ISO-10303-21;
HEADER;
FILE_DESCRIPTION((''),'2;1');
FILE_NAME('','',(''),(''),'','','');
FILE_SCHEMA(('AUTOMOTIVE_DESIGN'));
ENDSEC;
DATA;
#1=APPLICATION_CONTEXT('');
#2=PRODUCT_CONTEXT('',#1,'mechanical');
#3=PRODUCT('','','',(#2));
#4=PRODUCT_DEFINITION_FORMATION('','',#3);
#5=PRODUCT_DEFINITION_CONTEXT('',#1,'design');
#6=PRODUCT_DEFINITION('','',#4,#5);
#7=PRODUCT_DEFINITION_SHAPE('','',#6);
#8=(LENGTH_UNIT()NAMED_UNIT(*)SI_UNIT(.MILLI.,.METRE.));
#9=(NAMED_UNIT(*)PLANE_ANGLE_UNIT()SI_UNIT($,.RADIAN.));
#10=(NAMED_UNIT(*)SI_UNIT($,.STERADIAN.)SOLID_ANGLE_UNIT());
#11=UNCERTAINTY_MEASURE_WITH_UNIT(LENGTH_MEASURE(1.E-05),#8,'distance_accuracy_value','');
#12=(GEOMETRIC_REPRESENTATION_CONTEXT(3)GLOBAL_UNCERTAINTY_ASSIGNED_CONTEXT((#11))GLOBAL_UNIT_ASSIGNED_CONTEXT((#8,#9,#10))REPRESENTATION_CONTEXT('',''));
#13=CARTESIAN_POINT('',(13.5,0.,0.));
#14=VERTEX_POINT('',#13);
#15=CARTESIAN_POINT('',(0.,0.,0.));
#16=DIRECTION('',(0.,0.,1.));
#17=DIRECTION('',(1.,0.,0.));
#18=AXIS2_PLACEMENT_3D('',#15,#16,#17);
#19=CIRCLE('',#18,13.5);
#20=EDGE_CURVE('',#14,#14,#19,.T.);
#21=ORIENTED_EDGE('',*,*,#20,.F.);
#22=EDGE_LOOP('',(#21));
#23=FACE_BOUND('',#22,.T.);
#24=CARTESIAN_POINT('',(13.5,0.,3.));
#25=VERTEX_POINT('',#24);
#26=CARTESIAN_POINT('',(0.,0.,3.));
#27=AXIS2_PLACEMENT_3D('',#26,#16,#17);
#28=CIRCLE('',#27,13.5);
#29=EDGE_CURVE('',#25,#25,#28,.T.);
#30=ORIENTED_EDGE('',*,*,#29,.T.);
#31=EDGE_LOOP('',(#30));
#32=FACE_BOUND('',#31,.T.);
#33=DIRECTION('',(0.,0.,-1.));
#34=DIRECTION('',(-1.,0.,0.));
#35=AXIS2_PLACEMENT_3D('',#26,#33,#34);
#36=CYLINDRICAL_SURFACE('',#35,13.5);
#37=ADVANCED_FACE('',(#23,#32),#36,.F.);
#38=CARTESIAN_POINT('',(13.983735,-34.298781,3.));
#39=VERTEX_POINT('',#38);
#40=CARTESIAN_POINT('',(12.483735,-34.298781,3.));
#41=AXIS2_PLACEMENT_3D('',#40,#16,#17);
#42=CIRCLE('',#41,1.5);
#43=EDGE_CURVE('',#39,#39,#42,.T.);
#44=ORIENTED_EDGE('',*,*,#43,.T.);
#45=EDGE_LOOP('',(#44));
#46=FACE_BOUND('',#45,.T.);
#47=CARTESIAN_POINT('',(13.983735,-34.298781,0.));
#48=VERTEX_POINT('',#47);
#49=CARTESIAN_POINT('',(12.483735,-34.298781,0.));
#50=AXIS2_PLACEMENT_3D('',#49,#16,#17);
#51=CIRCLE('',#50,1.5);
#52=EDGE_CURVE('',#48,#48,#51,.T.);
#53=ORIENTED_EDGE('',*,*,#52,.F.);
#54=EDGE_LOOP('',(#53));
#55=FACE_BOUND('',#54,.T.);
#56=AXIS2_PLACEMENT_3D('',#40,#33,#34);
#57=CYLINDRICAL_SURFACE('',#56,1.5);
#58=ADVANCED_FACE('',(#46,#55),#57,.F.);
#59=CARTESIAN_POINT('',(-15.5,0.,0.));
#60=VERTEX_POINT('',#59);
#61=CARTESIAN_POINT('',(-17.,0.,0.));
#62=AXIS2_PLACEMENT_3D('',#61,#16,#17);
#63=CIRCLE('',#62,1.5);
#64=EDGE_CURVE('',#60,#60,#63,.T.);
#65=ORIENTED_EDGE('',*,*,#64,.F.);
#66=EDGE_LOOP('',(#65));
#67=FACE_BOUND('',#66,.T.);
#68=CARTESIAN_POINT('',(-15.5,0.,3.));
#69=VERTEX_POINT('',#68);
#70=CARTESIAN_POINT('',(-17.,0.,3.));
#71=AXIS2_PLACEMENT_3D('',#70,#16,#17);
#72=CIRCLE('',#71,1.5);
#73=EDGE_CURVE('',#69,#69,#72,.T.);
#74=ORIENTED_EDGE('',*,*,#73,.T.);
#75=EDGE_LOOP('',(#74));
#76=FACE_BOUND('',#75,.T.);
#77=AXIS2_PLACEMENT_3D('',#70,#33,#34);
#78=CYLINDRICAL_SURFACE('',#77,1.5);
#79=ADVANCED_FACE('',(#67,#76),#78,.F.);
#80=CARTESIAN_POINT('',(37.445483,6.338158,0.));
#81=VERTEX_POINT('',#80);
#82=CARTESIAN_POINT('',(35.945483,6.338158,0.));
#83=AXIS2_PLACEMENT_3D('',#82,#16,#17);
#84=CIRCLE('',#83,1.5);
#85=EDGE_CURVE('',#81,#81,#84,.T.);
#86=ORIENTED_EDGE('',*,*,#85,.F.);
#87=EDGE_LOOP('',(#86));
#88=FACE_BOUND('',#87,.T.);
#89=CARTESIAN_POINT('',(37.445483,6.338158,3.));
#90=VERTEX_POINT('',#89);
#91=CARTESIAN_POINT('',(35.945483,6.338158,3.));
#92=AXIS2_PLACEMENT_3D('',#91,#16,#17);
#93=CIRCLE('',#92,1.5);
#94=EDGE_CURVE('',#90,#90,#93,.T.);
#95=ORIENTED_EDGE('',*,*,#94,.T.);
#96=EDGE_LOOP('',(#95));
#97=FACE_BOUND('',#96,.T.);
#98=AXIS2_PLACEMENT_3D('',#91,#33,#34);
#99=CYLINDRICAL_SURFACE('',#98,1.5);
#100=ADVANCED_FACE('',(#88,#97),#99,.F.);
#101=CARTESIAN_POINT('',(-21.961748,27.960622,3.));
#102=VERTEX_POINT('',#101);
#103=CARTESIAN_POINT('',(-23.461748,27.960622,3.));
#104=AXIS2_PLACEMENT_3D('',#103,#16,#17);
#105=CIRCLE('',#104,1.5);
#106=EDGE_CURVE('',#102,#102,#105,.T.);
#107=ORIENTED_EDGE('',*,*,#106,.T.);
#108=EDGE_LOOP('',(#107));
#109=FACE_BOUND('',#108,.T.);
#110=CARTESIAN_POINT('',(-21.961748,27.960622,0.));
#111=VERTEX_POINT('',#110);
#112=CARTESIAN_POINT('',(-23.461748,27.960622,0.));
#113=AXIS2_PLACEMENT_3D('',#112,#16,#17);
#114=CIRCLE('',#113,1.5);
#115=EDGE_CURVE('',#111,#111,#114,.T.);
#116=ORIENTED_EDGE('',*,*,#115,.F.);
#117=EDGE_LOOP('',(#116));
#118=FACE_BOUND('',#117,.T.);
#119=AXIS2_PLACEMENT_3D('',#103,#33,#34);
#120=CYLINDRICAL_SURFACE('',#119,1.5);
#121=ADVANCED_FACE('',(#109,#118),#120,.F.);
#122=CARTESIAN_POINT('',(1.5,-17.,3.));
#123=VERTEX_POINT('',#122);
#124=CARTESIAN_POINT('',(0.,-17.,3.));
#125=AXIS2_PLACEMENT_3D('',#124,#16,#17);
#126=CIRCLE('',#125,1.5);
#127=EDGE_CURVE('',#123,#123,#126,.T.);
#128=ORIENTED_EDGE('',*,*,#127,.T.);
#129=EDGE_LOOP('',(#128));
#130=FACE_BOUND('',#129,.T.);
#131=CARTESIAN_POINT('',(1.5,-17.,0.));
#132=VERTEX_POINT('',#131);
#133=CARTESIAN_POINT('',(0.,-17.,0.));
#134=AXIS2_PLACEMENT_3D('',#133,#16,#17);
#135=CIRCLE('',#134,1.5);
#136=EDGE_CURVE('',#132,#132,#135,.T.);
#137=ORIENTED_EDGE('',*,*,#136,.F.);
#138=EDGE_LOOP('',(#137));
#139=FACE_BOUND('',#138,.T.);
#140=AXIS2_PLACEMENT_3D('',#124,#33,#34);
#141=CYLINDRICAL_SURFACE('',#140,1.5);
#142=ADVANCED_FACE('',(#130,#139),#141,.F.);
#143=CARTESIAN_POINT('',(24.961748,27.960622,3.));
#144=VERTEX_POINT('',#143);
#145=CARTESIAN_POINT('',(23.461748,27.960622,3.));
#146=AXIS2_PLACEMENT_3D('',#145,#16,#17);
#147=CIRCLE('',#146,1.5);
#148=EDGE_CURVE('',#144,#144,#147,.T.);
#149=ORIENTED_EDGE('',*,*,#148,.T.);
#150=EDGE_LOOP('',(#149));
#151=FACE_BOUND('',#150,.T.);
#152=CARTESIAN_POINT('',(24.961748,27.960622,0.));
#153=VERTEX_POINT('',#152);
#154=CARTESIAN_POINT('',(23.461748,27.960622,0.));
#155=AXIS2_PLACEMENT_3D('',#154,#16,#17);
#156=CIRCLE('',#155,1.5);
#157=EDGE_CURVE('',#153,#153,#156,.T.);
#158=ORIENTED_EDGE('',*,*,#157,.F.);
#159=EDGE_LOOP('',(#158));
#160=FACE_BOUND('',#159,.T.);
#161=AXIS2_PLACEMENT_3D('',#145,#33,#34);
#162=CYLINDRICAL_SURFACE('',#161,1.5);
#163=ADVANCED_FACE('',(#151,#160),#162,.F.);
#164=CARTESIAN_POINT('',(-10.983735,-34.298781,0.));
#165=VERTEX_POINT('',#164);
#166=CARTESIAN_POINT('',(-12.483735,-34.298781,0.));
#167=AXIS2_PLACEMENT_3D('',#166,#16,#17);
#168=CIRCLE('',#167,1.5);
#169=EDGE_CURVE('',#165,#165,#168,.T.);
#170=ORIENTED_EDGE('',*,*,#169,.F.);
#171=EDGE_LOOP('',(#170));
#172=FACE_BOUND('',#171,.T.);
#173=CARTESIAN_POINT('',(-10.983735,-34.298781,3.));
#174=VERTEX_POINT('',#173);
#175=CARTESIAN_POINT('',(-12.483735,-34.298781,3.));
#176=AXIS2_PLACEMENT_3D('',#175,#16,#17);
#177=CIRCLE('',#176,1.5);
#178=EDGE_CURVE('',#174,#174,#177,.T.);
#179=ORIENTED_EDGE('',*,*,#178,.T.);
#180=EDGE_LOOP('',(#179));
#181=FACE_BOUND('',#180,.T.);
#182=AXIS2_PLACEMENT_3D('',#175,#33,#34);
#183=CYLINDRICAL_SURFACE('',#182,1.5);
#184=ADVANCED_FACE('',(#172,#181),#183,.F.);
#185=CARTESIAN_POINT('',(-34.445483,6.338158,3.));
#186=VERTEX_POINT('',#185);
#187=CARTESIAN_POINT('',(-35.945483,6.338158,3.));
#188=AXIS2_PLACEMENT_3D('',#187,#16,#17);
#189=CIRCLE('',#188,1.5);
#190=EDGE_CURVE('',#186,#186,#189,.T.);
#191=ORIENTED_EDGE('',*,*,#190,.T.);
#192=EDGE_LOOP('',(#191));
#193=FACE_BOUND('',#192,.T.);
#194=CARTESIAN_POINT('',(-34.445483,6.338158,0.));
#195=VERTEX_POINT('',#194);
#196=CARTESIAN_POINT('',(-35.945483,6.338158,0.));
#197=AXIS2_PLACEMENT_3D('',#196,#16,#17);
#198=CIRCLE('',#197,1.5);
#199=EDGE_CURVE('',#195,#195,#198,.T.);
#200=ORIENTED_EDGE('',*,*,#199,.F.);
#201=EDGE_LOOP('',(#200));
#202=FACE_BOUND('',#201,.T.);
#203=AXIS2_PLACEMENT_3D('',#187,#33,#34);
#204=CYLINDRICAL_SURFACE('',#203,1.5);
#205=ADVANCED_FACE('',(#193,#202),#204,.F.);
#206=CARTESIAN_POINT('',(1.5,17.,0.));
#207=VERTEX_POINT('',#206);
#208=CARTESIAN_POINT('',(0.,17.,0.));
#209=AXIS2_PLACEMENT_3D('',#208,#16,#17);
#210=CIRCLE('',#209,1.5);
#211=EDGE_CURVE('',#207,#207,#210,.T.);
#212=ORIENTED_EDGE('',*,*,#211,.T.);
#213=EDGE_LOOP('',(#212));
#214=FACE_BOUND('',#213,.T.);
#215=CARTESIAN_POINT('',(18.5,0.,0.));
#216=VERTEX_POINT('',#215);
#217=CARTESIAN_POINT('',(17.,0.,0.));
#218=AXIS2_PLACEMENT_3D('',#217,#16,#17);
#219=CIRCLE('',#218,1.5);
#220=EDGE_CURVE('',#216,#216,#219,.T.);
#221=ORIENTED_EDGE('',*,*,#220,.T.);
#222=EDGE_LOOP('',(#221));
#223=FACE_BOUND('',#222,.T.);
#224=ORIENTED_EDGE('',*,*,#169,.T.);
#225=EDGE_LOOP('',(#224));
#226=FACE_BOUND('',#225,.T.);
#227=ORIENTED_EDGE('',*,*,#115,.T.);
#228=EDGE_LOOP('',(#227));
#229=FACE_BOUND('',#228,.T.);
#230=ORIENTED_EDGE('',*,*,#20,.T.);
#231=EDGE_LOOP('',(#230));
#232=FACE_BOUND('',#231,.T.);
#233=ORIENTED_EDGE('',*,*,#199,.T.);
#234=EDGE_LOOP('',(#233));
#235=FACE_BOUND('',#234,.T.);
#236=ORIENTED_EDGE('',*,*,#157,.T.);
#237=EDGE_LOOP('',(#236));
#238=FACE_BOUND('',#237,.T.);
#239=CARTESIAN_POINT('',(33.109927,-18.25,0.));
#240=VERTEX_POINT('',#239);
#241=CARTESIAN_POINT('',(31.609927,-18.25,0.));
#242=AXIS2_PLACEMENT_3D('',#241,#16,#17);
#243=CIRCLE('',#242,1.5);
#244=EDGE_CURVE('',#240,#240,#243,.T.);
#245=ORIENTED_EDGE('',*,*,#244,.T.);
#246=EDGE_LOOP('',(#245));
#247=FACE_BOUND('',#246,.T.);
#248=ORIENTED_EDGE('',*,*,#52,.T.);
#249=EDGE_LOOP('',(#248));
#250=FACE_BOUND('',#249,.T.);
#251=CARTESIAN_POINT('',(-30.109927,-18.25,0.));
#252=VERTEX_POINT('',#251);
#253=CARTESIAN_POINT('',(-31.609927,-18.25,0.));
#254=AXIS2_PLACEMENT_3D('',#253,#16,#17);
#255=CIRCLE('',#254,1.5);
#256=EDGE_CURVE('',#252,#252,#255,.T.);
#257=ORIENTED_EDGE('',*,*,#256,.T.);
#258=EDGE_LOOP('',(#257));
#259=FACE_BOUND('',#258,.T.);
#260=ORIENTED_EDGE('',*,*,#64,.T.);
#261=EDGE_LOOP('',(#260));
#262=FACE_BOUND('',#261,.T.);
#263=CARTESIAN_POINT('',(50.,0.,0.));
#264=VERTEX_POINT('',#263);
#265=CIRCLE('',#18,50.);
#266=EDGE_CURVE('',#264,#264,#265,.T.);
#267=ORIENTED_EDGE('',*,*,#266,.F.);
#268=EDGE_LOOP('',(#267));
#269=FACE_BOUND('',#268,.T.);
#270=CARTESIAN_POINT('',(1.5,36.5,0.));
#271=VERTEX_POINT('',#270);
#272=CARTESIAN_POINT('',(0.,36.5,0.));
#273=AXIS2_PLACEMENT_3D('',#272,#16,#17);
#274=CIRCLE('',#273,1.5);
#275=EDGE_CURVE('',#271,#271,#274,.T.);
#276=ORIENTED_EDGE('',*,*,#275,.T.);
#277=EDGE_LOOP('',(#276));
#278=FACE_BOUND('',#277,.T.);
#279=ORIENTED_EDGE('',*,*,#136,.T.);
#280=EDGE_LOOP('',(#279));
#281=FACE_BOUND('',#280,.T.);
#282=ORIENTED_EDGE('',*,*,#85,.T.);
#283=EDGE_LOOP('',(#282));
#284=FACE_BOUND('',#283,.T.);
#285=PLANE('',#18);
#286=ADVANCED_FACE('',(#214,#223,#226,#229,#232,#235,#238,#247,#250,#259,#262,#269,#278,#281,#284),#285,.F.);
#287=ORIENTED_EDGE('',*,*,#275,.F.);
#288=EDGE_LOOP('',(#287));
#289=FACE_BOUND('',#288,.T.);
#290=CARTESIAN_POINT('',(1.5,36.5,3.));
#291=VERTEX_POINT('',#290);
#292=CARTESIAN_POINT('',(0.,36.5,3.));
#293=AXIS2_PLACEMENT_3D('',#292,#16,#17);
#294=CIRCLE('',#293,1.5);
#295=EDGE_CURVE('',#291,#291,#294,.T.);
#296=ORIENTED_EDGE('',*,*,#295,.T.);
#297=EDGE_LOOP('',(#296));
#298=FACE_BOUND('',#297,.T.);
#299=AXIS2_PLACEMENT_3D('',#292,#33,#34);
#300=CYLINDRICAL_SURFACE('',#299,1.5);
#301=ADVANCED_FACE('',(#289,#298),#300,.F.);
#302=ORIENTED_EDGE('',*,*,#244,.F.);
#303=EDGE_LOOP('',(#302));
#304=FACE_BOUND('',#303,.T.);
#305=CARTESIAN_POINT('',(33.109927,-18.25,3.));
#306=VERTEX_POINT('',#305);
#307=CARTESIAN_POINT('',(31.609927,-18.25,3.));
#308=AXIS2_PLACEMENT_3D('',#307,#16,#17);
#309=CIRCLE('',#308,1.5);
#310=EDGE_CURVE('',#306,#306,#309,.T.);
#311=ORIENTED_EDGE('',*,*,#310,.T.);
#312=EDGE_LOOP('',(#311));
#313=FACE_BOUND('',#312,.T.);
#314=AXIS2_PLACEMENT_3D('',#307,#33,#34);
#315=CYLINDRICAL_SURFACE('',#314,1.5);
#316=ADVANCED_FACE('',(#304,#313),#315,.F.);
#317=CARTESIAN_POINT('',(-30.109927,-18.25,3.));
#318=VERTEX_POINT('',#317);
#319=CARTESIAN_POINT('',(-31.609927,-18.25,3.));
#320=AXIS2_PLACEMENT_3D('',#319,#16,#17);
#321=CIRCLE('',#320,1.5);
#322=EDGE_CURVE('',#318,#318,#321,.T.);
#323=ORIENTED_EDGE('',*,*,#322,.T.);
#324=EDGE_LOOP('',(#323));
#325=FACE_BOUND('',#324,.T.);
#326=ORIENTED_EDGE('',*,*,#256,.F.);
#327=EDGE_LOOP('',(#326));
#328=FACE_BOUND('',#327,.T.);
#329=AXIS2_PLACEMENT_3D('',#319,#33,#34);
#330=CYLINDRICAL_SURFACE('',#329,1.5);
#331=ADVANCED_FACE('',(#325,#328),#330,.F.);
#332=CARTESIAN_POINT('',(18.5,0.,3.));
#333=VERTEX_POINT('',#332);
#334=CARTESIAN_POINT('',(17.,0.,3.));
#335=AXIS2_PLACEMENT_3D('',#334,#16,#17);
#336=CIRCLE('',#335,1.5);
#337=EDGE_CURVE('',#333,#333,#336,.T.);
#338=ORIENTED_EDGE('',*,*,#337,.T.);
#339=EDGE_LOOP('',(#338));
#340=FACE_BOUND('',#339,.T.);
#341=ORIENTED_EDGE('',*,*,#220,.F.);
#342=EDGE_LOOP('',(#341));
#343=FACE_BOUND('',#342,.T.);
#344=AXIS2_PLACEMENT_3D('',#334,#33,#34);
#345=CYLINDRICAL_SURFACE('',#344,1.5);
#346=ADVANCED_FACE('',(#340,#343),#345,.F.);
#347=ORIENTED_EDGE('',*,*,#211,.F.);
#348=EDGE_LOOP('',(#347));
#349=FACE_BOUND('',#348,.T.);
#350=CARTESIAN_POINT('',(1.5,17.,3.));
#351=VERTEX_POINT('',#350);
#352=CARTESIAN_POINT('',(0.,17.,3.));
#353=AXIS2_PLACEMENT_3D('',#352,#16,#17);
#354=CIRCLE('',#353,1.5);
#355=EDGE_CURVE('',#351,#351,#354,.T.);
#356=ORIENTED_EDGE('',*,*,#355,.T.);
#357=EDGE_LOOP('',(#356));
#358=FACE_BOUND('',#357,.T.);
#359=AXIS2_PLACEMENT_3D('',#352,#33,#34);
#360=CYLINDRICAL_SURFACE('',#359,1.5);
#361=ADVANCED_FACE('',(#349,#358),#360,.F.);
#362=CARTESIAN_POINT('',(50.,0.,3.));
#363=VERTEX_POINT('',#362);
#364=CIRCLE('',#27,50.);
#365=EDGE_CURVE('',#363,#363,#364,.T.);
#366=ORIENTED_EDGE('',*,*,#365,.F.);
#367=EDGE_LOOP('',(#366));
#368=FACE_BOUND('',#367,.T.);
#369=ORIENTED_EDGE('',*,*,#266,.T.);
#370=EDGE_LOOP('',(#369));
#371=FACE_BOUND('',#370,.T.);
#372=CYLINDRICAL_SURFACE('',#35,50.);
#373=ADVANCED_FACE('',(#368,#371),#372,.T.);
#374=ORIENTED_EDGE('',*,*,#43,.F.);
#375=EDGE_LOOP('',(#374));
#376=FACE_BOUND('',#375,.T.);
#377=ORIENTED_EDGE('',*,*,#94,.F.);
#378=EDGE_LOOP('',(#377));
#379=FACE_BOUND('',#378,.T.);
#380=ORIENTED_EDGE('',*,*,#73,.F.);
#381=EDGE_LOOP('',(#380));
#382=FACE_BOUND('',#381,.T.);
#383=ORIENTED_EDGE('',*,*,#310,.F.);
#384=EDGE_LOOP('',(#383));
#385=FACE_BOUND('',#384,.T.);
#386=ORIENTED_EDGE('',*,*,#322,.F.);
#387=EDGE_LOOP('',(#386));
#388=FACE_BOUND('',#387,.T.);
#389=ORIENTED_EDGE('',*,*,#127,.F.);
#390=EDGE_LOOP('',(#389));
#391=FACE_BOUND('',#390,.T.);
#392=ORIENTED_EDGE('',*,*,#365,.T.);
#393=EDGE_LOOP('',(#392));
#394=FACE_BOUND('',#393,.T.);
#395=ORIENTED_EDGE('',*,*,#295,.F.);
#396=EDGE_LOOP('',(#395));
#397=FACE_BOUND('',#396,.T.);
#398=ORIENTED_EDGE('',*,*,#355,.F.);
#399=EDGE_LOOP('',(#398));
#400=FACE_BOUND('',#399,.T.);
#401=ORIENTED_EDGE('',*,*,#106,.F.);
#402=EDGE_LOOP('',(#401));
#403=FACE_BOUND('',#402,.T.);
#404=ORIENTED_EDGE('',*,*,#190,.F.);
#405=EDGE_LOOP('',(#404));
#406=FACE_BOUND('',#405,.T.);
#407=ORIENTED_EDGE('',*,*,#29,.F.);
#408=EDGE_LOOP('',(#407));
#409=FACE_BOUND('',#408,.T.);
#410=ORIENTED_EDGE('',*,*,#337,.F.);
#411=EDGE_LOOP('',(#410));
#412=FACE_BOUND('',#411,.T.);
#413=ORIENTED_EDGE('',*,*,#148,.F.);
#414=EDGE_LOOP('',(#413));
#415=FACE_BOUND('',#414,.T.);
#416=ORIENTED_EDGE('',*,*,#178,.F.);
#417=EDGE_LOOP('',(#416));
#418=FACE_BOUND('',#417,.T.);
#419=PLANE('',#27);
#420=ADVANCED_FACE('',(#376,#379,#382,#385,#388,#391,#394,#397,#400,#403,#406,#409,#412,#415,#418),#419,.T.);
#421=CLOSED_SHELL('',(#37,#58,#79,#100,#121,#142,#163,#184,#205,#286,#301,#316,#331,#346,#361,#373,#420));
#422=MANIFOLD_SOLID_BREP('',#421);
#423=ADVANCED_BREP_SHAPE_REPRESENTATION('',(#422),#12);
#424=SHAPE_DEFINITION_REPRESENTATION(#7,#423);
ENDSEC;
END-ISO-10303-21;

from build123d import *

# Parameters (mm, degrees)
SKETCH_1_R      = 50
SKETCH_1_R_2    = 1.5
SKETCH_1_R_3    = 13.5
EXTRUDE_1_DEPTH = 3


with BuildPart() as part:
    # 草图1 → 凸台-拉伸1 (new body)
    with BuildSketch(Plane.XY):
        Circle(SKETCH_1_R)
        with Locations((0, 17)):
            Circle(SKETCH_1_R_2, mode=Mode.SUBTRACT)
        with Locations((17, 0)):
            Circle(SKETCH_1_R_2, mode=Mode.SUBTRACT)
        with Locations((0, -17)):
            Circle(SKETCH_1_R_2, mode=Mode.SUBTRACT)
        with Locations((-17, 0)):
            Circle(SKETCH_1_R_2, mode=Mode.SUBTRACT)
        with Locations((-23.461747754, 27.960622174)):
            Circle(SKETCH_1_R_2, mode=Mode.SUBTRACT)
        with Locations((0, 36.5)):
            Circle(SKETCH_1_R_2, mode=Mode.SUBTRACT)
        with Locations((23.461747754, 27.960622174)):
            Circle(SKETCH_1_R_2, mode=Mode.SUBTRACT)
        with Locations((35.945482985, 6.338158485)):
            Circle(SKETCH_1_R_2, mode=Mode.SUBTRACT)
        with Locations((31.609927238, -18.25)):
            Circle(SKETCH_1_R_2, mode=Mode.SUBTRACT)
        with Locations((12.483735231, -34.298780659)):
            Circle(SKETCH_1_R_2, mode=Mode.SUBTRACT)
        with Locations((-12.483735231, -34.298780659)):
            Circle(SKETCH_1_R_2, mode=Mode.SUBTRACT)
        with Locations((-31.609927238, -18.25)):
            Circle(SKETCH_1_R_2, mode=Mode.SUBTRACT)
        with Locations((-35.945482985, 6.338158485)):
            Circle(SKETCH_1_R_2, mode=Mode.SUBTRACT)
        Circle(SKETCH_1_R_3, mode=Mode.SUBTRACT)
    extrude(amount=EXTRUDE_1_DEPTH)


solid = part.part
